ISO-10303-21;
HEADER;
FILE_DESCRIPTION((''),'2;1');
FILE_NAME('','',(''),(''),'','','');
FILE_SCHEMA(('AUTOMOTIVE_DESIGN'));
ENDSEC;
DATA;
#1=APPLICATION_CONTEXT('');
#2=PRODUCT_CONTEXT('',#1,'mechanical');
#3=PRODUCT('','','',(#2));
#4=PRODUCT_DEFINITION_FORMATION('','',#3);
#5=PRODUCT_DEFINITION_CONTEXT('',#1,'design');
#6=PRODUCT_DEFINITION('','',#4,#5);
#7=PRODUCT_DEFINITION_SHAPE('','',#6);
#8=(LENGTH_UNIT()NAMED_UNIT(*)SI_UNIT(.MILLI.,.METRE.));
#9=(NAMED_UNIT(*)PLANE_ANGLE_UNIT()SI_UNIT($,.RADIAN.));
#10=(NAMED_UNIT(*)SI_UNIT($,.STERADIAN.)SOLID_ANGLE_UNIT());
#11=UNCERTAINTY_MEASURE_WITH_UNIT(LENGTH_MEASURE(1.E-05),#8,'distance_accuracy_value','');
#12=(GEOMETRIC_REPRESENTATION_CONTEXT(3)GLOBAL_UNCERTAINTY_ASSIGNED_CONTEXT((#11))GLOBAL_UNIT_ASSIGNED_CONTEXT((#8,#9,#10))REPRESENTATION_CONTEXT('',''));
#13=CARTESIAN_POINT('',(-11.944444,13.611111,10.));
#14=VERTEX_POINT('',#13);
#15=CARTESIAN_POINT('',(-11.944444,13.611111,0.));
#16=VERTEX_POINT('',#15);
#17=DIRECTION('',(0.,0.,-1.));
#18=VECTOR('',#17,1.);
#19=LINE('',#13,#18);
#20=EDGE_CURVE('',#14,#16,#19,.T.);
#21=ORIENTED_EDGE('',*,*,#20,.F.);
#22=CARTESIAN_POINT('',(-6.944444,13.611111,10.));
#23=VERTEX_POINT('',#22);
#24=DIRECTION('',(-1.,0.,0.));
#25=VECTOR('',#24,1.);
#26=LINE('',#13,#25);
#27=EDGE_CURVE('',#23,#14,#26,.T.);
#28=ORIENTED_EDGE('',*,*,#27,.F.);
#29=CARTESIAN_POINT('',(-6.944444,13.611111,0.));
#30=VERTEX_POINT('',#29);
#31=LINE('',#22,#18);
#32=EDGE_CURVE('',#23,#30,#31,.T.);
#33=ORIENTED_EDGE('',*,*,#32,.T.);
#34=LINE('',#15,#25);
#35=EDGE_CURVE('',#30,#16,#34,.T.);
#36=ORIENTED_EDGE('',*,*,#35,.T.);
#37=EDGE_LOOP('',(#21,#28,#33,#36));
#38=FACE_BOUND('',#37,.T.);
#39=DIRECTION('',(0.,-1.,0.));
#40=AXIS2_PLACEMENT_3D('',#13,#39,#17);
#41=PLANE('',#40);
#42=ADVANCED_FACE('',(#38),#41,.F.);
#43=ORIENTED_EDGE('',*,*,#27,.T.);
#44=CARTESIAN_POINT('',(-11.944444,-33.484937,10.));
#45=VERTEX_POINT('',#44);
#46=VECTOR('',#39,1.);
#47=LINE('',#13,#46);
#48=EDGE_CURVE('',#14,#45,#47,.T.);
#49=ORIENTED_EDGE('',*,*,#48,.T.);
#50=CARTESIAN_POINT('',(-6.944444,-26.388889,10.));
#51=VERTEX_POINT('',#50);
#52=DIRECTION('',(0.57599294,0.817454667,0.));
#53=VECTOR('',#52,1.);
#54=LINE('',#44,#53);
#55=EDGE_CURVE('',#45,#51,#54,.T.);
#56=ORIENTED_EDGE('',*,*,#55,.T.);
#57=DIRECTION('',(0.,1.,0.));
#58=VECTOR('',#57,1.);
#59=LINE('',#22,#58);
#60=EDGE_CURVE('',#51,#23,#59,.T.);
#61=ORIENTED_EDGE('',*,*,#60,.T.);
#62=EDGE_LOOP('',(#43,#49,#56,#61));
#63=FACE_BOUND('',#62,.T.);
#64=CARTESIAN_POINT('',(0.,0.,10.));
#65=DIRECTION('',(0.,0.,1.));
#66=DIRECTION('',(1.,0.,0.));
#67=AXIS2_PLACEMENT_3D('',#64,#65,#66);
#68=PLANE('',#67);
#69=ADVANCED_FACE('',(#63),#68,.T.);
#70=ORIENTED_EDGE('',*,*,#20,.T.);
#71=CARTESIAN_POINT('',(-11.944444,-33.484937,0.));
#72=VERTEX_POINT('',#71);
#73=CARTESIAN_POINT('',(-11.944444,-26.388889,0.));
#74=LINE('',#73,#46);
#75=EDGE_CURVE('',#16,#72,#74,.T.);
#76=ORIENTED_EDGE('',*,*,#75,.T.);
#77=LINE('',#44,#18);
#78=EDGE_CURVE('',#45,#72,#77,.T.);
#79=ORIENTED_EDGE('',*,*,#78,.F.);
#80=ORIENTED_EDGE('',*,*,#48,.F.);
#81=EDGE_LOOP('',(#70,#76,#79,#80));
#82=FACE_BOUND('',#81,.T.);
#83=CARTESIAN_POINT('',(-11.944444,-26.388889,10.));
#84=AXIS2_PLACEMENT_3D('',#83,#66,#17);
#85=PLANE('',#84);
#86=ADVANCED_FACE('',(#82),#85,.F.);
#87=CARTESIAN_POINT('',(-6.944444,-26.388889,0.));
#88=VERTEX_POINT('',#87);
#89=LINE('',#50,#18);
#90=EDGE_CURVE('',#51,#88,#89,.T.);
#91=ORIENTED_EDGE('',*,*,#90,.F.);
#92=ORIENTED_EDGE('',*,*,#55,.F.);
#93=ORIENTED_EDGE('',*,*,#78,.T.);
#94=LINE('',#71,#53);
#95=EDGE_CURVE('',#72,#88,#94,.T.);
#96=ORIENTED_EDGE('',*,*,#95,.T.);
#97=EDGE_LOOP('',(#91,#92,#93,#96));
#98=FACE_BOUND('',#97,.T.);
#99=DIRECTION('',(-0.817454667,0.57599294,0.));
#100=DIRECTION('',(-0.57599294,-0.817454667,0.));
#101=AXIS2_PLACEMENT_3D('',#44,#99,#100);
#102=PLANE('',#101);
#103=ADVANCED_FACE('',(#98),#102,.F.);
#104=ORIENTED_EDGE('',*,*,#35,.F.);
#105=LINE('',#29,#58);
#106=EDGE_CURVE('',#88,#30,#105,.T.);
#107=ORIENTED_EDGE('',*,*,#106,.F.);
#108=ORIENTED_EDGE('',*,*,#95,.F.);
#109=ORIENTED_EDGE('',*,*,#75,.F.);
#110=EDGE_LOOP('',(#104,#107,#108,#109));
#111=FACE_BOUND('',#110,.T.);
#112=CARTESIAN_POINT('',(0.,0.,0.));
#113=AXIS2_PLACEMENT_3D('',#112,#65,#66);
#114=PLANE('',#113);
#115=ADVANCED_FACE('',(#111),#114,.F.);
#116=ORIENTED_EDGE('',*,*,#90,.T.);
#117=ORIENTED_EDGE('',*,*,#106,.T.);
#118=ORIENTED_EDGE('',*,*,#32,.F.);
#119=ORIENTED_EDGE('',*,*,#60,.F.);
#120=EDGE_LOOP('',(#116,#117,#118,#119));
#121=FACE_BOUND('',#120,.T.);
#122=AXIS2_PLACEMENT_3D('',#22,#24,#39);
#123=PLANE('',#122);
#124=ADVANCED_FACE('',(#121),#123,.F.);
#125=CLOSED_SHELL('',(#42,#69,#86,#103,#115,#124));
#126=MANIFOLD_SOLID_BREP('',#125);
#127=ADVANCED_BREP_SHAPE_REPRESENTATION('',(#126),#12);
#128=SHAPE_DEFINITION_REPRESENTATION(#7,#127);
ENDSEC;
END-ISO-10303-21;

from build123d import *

# Parameters (mm, degrees)
BOSS_EXTRUDE1_DEPTH = 10


with BuildPart() as part:
    # Sketch1 → Boss-Extrude1 (new body)
    with BuildSketch(Plane.XY):
        Polygon((-11.944444444, -26.388888889), (-11.944444444, -33.484936515), (-6.944444444, -26.388888889), (-6.944444444, 13.611111111), (-11.944444444, 13.611111111), align=None)
    extrude(amount=BOSS_EXTRUDE1_DEPTH)


solid = part.part
